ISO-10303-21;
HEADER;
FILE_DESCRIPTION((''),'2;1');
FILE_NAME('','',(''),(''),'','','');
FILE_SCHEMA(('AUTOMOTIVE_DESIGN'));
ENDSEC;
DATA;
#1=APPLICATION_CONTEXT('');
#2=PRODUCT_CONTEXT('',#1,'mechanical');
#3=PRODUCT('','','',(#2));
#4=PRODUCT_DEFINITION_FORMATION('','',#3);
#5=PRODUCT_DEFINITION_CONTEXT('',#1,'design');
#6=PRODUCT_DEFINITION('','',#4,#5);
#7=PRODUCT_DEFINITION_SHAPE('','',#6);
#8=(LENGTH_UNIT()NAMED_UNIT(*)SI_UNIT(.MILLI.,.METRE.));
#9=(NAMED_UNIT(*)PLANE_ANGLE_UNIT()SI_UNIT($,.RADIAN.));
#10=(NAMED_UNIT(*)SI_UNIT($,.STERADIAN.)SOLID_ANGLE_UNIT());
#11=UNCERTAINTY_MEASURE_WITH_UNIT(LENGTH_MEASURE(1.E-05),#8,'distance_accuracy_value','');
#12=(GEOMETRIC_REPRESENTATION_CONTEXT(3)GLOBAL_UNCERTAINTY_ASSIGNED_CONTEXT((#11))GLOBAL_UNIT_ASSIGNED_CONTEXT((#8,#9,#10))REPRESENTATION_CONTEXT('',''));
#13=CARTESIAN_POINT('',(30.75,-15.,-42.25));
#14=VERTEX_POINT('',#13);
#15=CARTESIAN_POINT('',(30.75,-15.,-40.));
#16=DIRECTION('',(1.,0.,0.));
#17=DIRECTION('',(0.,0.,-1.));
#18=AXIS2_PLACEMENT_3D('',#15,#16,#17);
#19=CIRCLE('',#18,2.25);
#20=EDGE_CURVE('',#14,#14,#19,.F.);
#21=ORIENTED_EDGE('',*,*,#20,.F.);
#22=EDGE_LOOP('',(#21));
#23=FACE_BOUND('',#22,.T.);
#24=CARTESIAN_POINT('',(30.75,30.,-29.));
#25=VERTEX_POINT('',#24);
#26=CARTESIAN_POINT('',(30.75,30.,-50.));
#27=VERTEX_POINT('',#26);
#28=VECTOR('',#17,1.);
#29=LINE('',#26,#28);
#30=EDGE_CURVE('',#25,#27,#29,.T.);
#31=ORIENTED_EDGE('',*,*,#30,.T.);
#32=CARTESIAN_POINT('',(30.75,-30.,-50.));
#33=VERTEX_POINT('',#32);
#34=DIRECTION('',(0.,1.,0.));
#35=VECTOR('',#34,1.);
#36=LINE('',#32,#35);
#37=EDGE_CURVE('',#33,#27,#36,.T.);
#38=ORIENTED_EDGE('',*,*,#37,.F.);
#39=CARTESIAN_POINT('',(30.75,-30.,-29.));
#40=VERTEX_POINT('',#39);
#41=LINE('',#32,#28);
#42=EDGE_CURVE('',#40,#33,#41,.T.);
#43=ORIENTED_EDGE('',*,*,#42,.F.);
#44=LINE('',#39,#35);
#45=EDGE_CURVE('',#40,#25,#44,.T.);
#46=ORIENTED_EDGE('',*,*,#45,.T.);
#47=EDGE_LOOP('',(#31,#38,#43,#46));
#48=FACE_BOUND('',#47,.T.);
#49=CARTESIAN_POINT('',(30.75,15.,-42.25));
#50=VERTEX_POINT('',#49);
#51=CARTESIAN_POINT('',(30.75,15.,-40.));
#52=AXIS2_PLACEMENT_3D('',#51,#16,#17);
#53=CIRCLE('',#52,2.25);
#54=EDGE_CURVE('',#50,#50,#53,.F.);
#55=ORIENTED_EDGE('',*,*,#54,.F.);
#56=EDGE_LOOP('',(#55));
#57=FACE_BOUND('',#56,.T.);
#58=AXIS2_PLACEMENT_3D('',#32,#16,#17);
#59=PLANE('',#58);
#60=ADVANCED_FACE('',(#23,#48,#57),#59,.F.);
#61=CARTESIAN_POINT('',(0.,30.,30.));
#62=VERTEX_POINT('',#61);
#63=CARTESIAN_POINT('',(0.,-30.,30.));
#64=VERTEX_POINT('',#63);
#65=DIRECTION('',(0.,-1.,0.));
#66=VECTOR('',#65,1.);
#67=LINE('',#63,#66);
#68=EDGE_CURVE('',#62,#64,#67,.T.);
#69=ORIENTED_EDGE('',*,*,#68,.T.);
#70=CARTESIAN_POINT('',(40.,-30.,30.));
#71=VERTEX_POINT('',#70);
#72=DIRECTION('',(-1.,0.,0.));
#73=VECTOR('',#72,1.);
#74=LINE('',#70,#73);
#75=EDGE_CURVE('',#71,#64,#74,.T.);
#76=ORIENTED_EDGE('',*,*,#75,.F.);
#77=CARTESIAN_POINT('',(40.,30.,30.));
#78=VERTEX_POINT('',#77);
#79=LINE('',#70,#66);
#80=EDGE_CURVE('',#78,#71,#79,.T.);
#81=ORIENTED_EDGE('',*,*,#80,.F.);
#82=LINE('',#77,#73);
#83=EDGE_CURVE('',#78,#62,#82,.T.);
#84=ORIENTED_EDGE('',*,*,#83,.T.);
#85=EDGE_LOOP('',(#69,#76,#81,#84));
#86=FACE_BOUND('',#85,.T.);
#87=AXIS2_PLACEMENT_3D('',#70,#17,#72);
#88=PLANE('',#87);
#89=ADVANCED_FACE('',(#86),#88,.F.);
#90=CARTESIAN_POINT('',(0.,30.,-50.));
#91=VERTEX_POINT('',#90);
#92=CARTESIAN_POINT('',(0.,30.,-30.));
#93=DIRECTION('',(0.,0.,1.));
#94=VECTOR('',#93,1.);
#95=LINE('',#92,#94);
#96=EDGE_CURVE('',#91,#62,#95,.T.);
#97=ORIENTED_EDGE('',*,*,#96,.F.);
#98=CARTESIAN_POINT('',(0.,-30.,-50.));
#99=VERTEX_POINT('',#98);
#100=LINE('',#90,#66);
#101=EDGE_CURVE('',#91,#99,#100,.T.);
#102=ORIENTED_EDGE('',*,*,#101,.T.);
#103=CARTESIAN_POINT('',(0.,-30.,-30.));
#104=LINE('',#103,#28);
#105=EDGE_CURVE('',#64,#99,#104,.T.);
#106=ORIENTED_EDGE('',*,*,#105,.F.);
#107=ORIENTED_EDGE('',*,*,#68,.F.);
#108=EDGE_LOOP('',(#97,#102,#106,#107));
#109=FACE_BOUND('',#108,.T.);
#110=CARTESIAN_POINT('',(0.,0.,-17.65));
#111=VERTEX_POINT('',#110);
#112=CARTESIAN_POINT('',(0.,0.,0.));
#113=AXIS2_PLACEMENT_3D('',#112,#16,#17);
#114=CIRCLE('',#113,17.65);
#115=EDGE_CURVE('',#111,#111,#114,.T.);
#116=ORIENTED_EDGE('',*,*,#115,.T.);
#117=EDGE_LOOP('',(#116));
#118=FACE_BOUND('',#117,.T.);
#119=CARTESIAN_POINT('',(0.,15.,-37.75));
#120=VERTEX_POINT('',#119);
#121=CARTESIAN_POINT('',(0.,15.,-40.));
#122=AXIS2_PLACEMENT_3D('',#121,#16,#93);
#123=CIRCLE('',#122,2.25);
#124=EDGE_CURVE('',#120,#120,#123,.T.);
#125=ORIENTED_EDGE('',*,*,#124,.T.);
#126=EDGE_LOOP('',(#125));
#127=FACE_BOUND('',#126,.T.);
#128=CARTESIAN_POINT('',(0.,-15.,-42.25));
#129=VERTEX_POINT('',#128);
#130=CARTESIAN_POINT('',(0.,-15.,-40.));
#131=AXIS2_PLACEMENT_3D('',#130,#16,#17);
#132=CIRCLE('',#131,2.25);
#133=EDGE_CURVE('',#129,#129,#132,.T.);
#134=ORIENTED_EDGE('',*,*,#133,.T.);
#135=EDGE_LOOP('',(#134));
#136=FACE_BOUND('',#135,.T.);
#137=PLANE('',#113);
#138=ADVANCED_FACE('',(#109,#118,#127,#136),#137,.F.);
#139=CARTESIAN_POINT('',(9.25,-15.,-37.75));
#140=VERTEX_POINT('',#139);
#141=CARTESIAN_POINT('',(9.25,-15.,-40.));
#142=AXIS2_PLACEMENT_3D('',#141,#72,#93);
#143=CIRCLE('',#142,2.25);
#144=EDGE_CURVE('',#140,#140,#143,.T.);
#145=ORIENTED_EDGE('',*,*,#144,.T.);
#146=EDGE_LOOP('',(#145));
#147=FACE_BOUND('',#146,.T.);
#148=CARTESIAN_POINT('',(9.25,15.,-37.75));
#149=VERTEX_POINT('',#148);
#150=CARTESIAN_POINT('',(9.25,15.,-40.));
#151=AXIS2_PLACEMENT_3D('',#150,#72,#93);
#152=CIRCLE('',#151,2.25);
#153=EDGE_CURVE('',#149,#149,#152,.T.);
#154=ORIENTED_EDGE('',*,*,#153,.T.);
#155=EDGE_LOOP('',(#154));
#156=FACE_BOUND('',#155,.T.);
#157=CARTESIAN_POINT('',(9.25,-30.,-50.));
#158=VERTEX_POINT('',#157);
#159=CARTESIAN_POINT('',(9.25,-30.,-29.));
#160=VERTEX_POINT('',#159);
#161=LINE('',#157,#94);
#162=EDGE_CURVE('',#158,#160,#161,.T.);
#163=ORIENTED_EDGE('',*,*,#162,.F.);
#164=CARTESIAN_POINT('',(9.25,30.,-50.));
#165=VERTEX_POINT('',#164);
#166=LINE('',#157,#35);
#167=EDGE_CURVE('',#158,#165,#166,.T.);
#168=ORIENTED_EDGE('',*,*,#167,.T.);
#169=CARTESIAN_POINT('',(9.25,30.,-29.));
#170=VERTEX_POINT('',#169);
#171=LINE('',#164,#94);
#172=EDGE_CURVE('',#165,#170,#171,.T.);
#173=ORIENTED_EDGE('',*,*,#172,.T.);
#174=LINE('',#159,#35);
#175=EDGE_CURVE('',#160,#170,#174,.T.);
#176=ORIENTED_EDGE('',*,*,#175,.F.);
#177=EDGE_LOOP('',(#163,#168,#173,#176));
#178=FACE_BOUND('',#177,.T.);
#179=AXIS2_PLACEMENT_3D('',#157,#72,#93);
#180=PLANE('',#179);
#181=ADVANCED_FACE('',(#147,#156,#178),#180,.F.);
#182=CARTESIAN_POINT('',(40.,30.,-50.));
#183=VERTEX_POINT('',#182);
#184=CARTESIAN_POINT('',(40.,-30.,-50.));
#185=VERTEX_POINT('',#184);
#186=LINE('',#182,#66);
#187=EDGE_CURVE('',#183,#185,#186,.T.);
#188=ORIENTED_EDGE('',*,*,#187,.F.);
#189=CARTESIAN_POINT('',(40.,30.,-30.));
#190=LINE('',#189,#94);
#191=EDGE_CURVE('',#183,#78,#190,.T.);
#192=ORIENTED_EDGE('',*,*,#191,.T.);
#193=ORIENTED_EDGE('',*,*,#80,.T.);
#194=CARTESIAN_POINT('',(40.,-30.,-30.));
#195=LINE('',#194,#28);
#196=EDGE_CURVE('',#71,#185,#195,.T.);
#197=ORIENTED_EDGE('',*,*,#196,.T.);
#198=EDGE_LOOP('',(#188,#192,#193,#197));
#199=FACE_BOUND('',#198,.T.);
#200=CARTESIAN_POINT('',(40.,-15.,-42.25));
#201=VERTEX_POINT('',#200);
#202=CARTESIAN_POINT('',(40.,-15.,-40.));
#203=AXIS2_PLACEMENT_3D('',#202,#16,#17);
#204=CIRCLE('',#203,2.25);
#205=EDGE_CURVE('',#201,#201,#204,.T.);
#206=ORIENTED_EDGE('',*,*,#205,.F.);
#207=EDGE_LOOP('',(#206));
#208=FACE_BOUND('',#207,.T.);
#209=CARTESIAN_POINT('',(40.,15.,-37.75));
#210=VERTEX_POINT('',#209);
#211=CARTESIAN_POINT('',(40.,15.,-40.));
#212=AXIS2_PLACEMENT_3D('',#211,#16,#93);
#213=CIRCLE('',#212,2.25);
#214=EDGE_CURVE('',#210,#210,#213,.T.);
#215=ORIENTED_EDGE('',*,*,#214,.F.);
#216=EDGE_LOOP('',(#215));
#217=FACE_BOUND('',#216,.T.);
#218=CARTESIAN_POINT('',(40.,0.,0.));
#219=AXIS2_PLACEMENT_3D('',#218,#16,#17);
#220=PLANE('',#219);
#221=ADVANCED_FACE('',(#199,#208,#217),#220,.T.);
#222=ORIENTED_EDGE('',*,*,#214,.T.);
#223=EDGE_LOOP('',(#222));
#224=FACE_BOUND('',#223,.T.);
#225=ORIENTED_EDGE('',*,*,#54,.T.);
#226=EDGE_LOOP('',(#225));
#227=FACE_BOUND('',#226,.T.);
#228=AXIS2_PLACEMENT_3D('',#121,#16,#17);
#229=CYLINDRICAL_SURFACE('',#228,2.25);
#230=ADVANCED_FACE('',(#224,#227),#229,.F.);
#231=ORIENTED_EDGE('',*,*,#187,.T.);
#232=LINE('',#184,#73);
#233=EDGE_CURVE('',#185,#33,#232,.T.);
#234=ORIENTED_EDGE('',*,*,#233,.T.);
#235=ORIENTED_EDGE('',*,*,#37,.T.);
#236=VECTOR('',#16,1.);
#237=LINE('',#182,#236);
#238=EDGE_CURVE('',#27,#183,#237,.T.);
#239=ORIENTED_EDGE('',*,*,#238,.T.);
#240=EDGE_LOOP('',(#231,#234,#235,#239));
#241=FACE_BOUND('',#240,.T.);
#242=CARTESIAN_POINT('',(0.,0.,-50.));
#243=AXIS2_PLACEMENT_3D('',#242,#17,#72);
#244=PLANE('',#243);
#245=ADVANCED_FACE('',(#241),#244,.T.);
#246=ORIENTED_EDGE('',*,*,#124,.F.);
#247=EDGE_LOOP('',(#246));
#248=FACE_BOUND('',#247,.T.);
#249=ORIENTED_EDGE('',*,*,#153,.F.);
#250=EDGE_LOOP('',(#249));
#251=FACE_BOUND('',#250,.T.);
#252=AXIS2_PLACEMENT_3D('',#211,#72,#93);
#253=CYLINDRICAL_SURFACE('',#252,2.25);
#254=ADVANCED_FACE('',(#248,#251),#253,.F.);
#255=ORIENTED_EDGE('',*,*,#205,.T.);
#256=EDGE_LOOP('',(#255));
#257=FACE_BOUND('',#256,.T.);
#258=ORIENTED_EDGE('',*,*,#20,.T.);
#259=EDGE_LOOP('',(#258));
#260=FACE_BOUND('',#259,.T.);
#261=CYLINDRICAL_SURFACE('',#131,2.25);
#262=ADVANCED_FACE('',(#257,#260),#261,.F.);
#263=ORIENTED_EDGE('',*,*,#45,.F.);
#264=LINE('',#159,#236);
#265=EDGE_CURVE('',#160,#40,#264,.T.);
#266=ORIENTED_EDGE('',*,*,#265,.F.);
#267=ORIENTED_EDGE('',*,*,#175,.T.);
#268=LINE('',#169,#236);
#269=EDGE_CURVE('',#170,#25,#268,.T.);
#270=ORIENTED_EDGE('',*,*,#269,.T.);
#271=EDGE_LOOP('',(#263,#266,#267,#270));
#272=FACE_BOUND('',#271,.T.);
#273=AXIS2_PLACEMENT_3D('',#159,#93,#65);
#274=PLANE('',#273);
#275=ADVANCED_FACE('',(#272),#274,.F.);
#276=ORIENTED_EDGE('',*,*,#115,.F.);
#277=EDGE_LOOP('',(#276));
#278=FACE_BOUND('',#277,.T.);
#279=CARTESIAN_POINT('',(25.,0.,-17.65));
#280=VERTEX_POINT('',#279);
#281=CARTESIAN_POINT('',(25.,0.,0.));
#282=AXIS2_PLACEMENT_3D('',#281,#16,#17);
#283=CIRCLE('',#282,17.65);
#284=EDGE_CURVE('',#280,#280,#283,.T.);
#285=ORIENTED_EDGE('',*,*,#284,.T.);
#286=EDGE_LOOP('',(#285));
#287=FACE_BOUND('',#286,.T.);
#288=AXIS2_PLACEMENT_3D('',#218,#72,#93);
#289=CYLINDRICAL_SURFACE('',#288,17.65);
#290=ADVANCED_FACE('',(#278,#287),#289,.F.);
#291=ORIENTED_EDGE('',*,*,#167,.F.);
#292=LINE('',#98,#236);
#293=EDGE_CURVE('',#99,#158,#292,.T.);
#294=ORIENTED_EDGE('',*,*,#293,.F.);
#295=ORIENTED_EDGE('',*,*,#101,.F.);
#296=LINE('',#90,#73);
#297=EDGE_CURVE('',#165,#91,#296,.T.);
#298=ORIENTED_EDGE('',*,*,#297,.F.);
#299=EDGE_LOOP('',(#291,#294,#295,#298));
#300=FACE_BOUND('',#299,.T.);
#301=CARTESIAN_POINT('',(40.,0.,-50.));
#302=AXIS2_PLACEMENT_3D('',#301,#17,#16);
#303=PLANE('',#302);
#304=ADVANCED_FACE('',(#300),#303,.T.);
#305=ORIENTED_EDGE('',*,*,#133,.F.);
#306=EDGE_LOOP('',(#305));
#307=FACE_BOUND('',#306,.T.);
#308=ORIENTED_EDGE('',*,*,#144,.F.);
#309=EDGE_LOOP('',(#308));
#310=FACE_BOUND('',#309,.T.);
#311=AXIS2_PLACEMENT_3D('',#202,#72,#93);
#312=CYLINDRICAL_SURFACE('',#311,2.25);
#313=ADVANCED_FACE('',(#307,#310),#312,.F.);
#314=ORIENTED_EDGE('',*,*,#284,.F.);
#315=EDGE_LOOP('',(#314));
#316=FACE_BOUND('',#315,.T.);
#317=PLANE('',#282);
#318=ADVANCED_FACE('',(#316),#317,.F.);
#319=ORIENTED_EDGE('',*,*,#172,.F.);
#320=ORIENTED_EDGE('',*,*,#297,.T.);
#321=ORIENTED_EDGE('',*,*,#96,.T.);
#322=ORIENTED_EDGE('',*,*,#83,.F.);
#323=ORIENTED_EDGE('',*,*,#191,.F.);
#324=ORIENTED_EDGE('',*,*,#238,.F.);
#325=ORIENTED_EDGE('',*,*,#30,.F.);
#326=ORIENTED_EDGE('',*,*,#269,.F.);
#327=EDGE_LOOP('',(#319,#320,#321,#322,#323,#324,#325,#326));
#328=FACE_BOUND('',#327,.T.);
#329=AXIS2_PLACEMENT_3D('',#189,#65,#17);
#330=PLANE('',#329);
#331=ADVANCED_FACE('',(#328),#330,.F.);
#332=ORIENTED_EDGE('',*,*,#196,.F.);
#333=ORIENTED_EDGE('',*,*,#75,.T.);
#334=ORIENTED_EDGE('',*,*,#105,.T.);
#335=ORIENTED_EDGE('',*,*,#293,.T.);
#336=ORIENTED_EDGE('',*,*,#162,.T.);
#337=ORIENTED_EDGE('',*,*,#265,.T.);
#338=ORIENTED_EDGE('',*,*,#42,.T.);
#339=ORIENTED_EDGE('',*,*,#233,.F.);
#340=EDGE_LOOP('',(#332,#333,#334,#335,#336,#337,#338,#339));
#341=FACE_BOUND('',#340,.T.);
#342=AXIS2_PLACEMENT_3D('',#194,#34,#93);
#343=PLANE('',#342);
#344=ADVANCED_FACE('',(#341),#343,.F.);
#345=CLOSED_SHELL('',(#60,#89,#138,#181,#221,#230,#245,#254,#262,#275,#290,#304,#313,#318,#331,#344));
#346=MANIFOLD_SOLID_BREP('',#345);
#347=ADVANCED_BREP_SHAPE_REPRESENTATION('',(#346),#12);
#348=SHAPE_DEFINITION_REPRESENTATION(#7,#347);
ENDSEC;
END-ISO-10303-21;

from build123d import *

# Parameters (mm, degrees)
SKETCH1_W           = 60
SKETCH1_H           = 60
SKETCH1_R           = 17.65
BOSS_EXTRUDE1_DEPTH = 40
SKETCH4_W           = 10
SKETCH4_H           = 60
BOSS_EXTRUDE2_DEPTH = 20
SKETCH5_R           = 2.25
CUT_EXTRUDE1_DEPTH  = 71.710678119
BOSS_EXTRUDE3_START = -15
SKETCH6_R           = 17.65
BOSS_EXTRUDE3_DEPTH = 15
SKETCH7_W           = 21.5
SKETCH7_H           = 21
CUT_EXTRUDE2_DEPTH  = 88.749643874


with BuildPart() as part:
    # Sketch1 → Boss-Extrude1 (new body)
    with BuildSketch(Plane(origin=(0, 0, 0), x_dir=(0, 0, -1), z_dir=(1, 0, 0))):
        Rectangle(SKETCH1_W, SKETCH1_H)
        Circle(SKETCH1_R, mode=Mode.SUBTRACT)
    extrude(amount=BOSS_EXTRUDE1_DEPTH)

    # Sketch4 → Boss-Extrude2 (add)
    with BuildSketch(Plane(origin=(0, 0, -30), x_dir=(-1, 0, 0), z_dir=(0, 0, -1))):
        with Locations((-35, 0)):
            Rectangle(SKETCH4_W, SKETCH4_H)
    boss_extrude2 = extrude(amount=BOSS_EXTRUDE2_DEPTH)

    # Sketch5 → Cut-Extrude1 (cut, through all)
    with BuildSketch(Plane(origin=(40, 0, 0), x_dir=(0, 0, -1), z_dir=(1, 0, 0))):
        with Locations((40, -15)):
            Circle(SKETCH5_R)
        with Locations(Location((40, 15, 0), (0, 0, 90))):
            Circle(SKETCH5_R)
    cut_extrude1 = extrude(amount=-CUT_EXTRUDE1_DEPTH, mode=Mode.SUBTRACT)

    # Mirror1: Boss-Extrude2, Cut-Extrude1 across plane
    add(boss_extrude2.mirror(Plane(origin=(20, 0, 0), x_dir=(0, 0, 1), z_dir=(1, 0, 0))))
    add(cut_extrude1.mirror(Plane(origin=(20, 0, 0), x_dir=(0, 0, 1), z_dir=(1, 0, 0))), mode=Mode.SUBTRACT)

    # Sketch6 → Boss-Extrude3 (add)
    with BuildSketch(Plane(origin=(40, 0, 0), x_dir=(0, 0, -1), z_dir=(1, 0, 0)).offset(BOSS_EXTRUDE3_START)):
        Circle(SKETCH6_R)
    extrude(amount=BOSS_EXTRUDE3_DEPTH)

    # Sketch7 → Cut-Extrude2 (cut, through all)
    with BuildSketch(Plane(origin=(0, 30, 0), x_dir=(1, 0, 0), z_dir=(0, 1, 0))):
        with Locations((20, 39.5)):
            Rectangle(SKETCH7_W, SKETCH7_H)
    extrude(amount=-CUT_EXTRUDE2_DEPTH, mode=Mode.SUBTRACT)


solid = part.part
